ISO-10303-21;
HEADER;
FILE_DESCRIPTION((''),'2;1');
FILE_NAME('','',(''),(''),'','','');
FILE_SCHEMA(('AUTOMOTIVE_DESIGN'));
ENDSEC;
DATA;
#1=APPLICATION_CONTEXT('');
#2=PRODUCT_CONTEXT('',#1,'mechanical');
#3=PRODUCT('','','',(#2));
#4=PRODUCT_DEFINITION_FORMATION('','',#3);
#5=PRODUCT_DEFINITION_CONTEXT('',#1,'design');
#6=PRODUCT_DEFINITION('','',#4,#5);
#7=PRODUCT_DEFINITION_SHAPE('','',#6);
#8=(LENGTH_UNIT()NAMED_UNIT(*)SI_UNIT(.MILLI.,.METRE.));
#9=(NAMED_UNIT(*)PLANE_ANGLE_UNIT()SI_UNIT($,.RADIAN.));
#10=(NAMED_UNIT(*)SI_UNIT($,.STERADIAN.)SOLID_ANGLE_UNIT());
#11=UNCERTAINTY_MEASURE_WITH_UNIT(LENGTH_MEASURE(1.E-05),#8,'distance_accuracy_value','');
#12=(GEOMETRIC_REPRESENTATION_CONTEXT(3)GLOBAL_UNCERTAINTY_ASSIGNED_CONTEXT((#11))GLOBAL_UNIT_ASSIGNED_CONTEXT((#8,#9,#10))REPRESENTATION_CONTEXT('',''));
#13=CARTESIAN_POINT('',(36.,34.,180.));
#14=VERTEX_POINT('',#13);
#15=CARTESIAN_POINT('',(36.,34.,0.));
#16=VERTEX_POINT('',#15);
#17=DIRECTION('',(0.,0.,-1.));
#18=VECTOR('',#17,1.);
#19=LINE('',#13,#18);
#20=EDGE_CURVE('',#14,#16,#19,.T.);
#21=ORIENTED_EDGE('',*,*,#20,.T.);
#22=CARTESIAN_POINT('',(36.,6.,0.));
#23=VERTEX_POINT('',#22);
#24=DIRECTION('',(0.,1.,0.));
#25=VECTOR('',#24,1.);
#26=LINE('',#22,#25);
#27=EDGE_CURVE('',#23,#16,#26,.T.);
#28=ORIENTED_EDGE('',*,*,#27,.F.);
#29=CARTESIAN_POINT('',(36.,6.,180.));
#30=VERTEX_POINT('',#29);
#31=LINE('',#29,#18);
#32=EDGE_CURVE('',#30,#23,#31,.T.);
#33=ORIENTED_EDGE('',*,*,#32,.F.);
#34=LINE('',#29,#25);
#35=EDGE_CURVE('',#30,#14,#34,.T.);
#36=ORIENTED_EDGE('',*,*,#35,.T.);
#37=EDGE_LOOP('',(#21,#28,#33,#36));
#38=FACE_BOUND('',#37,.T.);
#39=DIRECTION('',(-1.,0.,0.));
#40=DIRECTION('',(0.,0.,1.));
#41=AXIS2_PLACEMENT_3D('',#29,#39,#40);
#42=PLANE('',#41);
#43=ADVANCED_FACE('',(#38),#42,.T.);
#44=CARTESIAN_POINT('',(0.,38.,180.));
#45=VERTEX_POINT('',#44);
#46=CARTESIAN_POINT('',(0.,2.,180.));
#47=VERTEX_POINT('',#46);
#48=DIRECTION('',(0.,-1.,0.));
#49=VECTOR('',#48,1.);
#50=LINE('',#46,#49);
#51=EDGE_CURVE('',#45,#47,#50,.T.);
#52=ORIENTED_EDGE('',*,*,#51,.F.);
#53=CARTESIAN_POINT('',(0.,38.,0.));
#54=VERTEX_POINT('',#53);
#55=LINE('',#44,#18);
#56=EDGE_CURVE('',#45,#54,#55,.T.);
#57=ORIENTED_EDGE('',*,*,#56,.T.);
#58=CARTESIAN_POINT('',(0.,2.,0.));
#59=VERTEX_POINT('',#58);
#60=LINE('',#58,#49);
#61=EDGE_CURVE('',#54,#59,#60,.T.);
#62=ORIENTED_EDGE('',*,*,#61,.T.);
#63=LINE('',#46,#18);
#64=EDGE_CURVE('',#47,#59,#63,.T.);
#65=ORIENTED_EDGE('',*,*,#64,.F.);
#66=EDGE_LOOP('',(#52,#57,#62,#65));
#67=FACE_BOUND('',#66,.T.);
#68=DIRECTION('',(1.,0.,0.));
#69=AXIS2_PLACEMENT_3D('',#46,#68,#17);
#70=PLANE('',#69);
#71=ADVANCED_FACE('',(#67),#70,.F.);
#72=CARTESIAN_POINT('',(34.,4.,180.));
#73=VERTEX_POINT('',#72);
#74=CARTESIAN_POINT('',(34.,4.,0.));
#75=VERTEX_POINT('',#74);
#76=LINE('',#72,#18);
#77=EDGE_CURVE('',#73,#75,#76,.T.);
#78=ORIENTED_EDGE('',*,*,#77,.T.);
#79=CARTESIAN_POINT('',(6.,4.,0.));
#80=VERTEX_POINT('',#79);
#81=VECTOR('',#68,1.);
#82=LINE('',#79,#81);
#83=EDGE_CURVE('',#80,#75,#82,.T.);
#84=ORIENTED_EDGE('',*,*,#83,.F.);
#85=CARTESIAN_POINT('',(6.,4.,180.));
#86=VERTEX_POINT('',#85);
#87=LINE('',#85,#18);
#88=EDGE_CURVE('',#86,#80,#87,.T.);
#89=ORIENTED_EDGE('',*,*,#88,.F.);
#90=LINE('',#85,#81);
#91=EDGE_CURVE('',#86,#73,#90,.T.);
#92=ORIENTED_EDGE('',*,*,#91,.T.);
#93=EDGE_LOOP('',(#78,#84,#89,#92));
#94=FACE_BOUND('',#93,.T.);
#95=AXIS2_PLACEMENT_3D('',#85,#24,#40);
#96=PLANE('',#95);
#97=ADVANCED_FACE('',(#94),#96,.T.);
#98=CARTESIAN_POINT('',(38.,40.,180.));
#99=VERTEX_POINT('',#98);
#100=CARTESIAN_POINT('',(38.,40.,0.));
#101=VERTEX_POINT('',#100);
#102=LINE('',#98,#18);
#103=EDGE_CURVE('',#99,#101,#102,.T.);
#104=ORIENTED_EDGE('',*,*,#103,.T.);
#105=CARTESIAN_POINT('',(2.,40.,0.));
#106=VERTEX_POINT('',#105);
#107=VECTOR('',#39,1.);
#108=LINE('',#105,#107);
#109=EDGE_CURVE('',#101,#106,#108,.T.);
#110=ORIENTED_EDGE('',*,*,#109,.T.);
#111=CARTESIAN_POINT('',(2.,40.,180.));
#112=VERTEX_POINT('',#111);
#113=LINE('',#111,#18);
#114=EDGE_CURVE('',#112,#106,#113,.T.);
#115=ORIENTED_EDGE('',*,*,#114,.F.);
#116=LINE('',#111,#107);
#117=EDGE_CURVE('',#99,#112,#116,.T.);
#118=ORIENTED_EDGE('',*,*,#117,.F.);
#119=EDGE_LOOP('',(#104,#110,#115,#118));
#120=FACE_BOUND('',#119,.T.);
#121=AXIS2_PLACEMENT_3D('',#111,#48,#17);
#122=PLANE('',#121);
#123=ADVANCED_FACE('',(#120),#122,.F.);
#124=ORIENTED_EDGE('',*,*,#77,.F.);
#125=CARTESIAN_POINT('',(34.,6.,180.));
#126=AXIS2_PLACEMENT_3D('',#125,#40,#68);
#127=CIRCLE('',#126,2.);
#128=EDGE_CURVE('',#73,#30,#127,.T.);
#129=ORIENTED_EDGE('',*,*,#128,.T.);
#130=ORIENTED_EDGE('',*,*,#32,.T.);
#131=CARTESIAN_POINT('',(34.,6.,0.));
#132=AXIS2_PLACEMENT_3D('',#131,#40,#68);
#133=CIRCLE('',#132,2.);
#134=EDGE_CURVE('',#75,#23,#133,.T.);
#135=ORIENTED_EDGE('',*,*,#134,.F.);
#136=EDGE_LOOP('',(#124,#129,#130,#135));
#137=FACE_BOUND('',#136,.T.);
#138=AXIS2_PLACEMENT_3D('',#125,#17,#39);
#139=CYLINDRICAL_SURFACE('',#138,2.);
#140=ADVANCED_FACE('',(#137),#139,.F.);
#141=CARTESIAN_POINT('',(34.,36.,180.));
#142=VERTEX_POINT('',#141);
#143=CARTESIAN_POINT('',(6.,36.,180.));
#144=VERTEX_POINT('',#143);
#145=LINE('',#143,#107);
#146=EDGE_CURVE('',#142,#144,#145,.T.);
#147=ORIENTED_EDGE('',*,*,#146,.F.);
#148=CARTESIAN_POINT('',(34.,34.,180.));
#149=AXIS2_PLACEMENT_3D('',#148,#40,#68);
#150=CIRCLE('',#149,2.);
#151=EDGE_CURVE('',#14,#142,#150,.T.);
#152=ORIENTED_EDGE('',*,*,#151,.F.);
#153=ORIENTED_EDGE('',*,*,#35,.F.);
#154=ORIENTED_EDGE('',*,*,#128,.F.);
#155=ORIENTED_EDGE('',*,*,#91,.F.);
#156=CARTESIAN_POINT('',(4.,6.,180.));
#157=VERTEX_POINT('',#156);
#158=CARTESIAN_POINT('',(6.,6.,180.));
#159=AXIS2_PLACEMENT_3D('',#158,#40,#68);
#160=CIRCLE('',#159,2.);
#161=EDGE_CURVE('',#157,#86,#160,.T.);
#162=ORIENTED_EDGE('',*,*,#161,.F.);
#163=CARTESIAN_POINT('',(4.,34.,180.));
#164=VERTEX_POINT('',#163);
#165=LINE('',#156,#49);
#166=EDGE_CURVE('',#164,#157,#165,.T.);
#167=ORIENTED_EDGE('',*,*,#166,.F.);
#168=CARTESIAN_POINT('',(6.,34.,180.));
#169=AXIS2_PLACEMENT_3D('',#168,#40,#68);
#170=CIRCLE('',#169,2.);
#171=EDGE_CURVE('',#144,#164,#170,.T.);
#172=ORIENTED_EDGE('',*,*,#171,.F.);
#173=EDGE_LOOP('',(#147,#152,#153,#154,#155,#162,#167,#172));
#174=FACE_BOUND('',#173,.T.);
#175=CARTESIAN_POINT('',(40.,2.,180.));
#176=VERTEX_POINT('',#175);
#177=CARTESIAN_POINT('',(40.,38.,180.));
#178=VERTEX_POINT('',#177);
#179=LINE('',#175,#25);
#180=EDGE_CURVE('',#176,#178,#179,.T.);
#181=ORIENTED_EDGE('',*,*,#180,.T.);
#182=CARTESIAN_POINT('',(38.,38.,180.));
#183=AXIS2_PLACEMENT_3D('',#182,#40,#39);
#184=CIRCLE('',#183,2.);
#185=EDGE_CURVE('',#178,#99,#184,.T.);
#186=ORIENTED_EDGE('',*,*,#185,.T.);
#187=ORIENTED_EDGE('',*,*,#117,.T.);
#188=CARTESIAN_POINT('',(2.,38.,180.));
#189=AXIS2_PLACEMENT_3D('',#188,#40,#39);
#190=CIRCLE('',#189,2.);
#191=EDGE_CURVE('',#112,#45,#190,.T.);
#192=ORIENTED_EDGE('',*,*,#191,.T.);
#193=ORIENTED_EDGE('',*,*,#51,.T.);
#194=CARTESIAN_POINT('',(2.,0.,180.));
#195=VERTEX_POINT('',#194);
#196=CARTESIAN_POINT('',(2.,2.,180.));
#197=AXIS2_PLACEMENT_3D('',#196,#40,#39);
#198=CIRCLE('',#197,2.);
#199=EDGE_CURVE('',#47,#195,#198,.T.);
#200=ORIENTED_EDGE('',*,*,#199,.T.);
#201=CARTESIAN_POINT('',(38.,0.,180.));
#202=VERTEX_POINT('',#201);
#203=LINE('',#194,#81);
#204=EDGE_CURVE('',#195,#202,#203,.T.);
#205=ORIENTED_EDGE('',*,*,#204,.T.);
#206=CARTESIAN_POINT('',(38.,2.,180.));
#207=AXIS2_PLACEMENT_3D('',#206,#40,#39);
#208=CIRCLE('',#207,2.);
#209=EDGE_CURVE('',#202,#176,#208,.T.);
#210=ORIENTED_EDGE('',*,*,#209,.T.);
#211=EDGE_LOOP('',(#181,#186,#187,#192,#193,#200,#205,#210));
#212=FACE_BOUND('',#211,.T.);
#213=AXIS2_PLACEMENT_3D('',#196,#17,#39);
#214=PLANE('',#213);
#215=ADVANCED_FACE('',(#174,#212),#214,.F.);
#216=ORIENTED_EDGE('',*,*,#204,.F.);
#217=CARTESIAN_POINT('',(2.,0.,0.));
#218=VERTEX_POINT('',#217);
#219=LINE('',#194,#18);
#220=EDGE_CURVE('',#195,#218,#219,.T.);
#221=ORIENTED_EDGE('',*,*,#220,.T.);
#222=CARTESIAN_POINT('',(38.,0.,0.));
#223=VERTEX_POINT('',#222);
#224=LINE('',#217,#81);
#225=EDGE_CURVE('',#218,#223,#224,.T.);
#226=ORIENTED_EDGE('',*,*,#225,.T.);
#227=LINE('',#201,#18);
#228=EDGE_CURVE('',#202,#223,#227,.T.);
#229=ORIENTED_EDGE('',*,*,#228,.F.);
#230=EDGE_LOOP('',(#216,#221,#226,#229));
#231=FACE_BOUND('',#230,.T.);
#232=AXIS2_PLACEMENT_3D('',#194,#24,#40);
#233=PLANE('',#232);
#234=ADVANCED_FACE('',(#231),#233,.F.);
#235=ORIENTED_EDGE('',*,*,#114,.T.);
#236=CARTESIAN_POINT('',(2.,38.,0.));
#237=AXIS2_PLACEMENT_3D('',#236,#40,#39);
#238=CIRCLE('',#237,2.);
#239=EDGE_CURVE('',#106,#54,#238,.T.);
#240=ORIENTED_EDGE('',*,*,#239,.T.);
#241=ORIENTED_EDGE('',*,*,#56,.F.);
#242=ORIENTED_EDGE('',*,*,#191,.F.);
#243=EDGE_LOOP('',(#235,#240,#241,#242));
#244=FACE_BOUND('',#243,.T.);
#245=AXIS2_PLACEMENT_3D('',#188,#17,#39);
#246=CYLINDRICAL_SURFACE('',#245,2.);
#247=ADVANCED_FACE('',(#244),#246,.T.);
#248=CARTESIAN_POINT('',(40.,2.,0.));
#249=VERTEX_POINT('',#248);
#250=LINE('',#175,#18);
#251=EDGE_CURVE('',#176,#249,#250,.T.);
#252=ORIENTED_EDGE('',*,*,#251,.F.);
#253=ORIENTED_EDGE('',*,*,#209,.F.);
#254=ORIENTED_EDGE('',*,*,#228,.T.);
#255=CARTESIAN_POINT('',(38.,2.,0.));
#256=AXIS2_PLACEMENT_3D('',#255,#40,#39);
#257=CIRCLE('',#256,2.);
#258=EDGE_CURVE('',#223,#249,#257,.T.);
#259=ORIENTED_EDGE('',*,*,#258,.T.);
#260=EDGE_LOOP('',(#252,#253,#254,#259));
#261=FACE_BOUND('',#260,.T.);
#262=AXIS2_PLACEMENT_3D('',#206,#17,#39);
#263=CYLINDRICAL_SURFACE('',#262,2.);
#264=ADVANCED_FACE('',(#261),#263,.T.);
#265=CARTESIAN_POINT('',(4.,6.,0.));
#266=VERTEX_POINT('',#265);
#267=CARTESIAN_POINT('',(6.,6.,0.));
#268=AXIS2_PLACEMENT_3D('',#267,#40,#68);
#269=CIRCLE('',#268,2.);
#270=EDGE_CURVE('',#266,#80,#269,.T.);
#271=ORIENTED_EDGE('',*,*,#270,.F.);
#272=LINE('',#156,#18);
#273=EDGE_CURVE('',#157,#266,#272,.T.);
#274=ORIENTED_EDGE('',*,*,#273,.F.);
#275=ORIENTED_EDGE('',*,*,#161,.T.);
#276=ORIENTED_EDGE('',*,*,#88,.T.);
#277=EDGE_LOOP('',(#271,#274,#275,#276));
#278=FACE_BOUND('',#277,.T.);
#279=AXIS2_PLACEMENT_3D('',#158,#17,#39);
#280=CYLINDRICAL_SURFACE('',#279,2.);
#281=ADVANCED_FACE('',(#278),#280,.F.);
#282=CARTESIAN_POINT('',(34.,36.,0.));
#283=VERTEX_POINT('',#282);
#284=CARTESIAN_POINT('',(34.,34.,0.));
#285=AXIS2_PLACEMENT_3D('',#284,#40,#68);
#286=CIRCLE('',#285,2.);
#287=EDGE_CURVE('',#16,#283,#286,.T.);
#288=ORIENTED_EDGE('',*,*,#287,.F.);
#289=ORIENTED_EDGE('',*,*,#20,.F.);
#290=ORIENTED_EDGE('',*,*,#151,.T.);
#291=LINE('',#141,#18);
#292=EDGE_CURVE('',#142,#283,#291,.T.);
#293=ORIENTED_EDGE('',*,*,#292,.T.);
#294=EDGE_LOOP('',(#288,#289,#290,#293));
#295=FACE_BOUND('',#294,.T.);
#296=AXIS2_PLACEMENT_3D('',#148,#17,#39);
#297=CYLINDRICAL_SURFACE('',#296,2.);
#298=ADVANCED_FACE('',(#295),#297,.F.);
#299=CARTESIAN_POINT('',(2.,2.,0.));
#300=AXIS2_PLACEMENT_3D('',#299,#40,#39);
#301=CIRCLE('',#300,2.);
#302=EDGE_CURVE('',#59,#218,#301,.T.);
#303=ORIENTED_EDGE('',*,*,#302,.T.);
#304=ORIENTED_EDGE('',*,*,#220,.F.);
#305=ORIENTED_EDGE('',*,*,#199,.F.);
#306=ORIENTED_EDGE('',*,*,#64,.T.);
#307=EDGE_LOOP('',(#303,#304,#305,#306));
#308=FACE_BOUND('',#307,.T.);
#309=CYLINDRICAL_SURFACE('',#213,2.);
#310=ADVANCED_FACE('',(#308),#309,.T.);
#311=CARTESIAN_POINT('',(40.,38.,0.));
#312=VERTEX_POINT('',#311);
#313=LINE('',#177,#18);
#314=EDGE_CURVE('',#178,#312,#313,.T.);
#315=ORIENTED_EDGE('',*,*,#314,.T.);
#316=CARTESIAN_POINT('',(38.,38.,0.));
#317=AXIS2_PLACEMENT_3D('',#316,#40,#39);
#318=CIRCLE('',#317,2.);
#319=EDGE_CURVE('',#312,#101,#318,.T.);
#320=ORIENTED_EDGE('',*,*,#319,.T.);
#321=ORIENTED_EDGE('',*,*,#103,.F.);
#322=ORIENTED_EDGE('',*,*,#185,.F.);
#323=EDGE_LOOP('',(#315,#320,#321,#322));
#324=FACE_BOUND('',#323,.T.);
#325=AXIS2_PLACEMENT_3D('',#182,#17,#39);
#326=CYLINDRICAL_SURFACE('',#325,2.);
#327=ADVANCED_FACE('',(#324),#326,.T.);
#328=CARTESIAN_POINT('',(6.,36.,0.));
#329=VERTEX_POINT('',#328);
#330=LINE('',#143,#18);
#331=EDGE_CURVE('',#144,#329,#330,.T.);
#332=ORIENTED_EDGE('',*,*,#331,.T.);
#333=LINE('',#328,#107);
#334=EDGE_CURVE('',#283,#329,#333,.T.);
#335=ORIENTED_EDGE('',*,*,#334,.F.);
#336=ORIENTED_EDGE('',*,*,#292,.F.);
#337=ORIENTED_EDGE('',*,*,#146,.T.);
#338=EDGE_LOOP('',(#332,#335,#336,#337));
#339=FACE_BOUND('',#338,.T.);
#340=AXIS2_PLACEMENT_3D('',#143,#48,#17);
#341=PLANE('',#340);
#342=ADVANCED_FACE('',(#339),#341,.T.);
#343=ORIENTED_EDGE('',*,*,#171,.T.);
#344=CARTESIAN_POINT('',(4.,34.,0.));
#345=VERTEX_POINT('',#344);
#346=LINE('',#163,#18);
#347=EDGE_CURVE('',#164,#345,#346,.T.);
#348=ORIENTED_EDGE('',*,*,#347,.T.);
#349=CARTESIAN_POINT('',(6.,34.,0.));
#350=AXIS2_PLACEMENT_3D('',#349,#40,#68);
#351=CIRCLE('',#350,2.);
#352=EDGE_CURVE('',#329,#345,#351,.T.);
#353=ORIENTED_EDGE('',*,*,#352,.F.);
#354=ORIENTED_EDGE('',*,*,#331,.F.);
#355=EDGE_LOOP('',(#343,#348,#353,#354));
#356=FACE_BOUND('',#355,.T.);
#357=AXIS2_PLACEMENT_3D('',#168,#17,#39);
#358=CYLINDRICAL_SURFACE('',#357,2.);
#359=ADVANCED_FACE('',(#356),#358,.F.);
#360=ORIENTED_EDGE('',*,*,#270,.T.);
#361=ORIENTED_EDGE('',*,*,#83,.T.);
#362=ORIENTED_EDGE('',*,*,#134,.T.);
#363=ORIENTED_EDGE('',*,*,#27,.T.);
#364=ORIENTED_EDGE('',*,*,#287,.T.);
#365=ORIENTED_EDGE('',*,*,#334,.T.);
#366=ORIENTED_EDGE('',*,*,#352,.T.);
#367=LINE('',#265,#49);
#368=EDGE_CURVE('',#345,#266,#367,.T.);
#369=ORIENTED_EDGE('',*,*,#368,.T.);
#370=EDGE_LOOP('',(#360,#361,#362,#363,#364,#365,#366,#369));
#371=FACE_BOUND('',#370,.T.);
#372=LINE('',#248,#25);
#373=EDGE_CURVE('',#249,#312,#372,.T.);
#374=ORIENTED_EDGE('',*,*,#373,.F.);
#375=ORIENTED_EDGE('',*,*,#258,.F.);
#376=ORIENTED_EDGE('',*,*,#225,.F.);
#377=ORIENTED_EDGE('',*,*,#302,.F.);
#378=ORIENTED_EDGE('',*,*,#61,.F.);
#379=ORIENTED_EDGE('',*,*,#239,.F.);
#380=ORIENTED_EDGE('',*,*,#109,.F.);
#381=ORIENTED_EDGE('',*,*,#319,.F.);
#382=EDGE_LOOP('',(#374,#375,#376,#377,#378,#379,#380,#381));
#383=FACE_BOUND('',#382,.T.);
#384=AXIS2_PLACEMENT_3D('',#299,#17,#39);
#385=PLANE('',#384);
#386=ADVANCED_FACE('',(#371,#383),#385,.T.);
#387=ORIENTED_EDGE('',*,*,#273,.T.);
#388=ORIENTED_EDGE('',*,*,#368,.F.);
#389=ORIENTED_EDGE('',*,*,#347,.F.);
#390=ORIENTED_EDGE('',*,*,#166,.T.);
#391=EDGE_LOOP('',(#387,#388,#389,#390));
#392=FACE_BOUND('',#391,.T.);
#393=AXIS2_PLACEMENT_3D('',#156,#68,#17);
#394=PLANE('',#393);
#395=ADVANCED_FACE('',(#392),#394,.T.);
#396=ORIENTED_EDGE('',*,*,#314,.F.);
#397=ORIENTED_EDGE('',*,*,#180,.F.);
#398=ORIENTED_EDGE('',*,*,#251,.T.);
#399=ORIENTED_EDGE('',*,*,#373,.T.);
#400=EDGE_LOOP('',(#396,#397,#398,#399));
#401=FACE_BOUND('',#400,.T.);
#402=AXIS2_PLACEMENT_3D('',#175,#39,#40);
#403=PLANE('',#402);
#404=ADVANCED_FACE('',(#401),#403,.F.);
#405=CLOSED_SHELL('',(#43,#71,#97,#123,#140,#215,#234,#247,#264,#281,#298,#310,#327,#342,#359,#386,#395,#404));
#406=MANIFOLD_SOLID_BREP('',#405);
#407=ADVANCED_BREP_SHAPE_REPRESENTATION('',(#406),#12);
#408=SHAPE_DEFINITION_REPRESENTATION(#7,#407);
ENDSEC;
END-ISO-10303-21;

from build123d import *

# Parameters (mm, degrees)
BOSS_EXTRU_1_DEPTH = 180


with BuildPart() as part:
    # Esquisse2 → Boss.-Extru.1 (new body)
    with BuildSketch(Plane.XY):
        with BuildLine():
            Line((2, 0), (38, 0))
            ThreePointArc((38, 0), (39.414213562, 0.585786438), (40, 2))
            Line((40, 2), (40, 38))
            ThreePointArc((40, 38), (39.414213562, 39.414213562), (38, 40))
            Line((38, 40), (2, 40))
            ThreePointArc((2, 40), (0.585786438, 39.414213562), (0, 38))
            Line((0, 38), (0, 2))
            ThreePointArc((0, 2), (0.585786438, 0.585786438), (2, 0))
        make_face()
        with BuildLine():
            Line((6, 4), (34, 4))
            ThreePointArc((34, 4), (35.414213562, 4.585786438), (36, 6))
            Line((36, 6), (36, 34))
            ThreePointArc((36, 34), (35.414213562, 35.414213562), (34, 36))
            Line((34, 36), (6, 36))
            ThreePointArc((6, 36), (4.585786438, 35.414213562), (4, 34))
            Line((4, 34), (4, 6))
            ThreePointArc((4, 6), (4.585786438, 4.585786438), (6, 4))
        make_face(mode=Mode.SUBTRACT)
    extrude(amount=BOSS_EXTRU_1_DEPTH)


solid = part.part
